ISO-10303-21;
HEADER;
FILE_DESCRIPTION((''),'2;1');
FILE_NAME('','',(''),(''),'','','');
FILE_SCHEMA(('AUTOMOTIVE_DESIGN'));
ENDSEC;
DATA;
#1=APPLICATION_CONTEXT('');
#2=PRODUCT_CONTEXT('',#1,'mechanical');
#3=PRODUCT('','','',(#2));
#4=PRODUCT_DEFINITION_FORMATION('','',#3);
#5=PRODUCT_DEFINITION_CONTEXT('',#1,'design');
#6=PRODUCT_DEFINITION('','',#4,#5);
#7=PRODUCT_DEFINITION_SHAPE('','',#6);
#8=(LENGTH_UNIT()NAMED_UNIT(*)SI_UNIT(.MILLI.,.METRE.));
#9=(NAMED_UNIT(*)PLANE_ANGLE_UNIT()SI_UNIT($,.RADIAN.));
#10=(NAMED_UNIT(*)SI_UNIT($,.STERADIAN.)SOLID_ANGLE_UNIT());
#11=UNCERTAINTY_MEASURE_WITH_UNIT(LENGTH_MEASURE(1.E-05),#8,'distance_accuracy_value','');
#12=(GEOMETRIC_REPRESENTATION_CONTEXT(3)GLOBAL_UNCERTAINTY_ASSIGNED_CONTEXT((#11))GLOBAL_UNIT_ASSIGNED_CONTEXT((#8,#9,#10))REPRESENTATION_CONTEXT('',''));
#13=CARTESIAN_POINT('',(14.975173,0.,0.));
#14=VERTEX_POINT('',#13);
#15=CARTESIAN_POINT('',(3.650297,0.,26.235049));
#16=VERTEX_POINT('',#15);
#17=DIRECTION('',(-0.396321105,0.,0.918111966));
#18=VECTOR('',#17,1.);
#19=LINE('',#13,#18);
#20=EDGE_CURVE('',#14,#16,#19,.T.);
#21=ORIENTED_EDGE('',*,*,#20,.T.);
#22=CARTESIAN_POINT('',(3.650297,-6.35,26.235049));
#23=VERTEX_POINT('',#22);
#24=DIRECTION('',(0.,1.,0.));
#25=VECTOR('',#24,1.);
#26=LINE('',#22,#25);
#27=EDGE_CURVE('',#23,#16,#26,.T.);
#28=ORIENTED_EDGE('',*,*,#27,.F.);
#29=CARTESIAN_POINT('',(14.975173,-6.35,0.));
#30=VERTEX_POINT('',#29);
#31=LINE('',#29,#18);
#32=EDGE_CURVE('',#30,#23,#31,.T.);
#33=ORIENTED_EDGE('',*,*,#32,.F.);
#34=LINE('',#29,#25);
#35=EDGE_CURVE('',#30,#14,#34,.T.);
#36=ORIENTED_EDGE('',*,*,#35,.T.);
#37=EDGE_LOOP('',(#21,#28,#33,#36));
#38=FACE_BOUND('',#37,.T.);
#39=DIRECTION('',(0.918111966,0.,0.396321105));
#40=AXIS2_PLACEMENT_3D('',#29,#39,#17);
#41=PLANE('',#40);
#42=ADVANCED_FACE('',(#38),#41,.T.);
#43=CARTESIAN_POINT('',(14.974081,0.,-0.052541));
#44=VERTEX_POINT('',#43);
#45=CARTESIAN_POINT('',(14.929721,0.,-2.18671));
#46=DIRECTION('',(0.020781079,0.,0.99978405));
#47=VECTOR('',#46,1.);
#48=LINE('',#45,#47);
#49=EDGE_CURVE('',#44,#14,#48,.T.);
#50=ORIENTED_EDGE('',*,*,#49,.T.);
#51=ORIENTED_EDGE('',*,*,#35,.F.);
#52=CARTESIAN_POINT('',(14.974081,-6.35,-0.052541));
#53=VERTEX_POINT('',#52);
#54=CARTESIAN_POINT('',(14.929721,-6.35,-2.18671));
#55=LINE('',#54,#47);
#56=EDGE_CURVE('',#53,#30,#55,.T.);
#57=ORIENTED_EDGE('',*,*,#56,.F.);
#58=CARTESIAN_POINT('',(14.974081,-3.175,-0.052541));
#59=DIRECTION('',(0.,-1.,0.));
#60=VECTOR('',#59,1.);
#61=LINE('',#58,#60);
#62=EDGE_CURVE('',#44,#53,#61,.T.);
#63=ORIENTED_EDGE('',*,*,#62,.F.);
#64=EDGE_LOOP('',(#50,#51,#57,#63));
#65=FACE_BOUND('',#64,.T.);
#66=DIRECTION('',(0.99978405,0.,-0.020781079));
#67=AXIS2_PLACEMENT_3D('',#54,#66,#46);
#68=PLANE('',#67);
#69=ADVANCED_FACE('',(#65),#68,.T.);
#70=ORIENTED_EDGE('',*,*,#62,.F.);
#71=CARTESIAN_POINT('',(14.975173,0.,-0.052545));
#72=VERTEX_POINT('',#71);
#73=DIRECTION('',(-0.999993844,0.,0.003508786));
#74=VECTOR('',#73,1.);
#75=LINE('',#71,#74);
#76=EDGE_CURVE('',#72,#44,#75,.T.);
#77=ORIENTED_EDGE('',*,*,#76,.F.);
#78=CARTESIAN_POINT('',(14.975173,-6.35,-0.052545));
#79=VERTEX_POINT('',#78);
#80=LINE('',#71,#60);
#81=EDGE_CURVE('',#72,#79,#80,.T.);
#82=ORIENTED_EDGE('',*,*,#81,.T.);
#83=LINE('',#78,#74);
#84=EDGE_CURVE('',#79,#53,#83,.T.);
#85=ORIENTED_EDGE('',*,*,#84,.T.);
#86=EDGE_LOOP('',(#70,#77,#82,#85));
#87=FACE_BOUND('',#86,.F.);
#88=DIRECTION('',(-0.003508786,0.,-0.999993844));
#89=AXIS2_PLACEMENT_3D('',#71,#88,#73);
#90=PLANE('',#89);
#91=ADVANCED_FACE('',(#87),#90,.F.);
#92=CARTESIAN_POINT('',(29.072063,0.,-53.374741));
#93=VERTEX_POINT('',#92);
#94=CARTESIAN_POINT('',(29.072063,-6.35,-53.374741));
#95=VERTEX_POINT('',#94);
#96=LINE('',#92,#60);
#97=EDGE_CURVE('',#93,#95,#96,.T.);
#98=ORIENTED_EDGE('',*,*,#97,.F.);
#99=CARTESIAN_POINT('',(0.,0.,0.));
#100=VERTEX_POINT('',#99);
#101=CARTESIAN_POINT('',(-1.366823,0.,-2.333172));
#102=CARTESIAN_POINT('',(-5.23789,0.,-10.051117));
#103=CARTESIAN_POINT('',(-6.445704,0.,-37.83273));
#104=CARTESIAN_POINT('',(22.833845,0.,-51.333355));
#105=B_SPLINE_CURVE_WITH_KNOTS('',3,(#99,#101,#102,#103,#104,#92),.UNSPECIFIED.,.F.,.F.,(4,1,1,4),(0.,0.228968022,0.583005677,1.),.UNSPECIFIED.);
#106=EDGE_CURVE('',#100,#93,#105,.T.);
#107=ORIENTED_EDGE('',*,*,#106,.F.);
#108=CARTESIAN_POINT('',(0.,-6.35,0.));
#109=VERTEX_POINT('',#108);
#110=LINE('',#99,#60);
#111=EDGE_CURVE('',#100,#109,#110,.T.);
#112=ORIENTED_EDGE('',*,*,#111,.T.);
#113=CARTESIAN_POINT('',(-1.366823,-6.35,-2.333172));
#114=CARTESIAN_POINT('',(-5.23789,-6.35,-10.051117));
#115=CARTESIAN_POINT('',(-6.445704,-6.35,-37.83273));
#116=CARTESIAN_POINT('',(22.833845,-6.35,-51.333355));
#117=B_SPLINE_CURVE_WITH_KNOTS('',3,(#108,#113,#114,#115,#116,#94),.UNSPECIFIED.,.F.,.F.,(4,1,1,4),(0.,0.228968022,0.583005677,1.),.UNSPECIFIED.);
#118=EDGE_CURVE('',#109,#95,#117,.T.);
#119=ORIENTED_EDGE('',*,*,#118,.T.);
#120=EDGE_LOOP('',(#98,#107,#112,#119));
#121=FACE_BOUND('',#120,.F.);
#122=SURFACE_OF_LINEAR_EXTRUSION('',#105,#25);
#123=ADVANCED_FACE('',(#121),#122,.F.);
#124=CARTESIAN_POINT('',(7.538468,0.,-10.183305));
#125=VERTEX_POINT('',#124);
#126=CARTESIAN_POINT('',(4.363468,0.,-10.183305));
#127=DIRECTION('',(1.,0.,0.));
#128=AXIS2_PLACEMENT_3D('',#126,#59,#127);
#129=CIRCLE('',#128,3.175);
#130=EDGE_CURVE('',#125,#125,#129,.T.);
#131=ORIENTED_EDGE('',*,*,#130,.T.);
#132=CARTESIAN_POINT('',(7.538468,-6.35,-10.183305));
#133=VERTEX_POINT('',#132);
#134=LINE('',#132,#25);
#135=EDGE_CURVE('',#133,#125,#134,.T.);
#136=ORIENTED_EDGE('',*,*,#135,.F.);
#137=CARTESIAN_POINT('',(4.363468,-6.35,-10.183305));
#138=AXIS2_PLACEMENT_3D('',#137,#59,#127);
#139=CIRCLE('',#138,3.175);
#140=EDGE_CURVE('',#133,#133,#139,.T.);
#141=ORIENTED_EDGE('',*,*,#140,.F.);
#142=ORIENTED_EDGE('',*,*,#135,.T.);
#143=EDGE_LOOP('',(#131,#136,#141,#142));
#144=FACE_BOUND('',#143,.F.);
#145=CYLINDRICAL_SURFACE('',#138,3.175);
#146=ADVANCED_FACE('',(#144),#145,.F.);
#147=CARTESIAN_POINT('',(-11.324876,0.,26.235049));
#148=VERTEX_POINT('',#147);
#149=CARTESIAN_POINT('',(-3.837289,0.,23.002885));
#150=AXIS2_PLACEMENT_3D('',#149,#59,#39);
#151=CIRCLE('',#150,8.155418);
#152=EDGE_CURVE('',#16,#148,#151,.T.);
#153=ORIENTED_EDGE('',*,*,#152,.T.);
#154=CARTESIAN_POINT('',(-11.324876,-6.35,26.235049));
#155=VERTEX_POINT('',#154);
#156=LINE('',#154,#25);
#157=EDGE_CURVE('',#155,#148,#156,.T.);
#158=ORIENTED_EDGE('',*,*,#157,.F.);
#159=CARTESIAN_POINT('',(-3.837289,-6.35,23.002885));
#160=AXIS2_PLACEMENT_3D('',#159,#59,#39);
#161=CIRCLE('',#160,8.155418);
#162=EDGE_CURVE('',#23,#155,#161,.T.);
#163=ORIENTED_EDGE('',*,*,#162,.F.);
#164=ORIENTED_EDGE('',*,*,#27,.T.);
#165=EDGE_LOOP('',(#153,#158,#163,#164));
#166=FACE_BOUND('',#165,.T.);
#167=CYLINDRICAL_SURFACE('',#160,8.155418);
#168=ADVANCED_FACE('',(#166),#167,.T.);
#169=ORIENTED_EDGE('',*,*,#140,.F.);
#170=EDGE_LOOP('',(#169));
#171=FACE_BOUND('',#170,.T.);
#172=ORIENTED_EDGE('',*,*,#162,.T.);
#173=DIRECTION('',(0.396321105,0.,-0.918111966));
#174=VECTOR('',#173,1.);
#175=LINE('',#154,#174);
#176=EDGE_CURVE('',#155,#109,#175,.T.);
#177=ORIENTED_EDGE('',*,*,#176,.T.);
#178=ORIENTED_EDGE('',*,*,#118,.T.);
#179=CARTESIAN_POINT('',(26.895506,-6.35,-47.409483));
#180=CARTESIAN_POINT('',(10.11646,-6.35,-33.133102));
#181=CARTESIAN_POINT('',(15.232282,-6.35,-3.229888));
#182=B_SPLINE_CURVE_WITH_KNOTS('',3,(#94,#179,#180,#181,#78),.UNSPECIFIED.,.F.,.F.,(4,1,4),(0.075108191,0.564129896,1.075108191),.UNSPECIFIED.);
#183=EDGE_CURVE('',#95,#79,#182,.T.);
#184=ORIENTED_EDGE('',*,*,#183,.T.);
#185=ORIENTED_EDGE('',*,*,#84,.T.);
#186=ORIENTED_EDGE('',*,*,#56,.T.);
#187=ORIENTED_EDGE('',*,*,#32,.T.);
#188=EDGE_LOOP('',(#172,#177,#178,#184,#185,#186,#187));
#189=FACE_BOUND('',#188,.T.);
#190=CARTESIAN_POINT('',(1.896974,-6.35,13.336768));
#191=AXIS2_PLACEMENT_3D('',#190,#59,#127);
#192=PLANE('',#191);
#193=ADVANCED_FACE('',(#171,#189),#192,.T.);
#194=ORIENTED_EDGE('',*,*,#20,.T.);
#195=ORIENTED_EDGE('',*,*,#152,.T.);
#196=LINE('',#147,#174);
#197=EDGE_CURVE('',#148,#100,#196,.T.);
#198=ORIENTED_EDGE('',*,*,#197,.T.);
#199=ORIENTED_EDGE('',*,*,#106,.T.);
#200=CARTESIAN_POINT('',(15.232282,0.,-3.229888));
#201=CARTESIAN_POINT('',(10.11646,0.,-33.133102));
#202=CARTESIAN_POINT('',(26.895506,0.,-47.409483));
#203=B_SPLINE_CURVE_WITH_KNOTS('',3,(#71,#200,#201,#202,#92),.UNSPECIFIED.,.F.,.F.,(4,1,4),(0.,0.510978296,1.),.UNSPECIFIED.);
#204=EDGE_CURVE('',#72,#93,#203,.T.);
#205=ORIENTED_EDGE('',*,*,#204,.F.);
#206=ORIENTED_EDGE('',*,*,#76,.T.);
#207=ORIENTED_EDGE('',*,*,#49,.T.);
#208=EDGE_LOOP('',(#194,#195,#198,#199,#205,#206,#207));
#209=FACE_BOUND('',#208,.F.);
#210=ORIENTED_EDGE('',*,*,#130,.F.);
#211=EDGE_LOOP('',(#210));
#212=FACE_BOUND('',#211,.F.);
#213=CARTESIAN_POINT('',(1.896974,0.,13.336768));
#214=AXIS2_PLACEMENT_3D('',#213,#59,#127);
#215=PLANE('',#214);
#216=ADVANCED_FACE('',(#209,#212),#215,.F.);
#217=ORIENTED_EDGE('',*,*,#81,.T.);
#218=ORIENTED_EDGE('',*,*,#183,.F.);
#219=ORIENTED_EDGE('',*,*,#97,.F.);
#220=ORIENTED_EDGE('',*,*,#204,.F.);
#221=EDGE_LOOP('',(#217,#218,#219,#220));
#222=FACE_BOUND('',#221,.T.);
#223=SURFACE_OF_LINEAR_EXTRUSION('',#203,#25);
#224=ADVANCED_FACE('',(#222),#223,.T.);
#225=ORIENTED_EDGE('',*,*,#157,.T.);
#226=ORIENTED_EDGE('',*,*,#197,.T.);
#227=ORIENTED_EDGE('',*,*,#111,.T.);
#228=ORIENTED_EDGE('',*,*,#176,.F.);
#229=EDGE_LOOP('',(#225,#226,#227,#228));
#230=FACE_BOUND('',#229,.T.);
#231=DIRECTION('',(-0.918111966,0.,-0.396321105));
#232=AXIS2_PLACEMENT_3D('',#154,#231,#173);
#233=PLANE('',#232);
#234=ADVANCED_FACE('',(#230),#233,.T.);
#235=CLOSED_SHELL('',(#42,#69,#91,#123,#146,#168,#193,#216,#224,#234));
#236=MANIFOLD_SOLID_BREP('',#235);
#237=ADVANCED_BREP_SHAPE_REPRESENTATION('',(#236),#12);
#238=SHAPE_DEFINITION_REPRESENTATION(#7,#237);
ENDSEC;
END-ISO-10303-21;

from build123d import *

# Parameters (mm, degrees)
F1_DEPTH = 6.35
F3_DEPTH = 6.35
F4_R     = 3.175
F5_DEPTH = 25.4


with BuildPart() as f1:
    # F0 (on Front) → F1 (new body)
    with BuildSketch(Plane.XZ):
        with BuildLine():
            Line((14.9751729332, -0.0525450014), (0, 0))
            add(Edge.make_bspline(
                [(0, 0), (-1.3668231297, -2.3331721875), (-5.2378895093, -10.0511172277), (-6.4457044175, -37.83273039), (22.8338454247, -51.3333554001), (29.0720630437, -53.3747412264)],
                knots=[0, 0, 0, 0, 0.2289680224, 0.5830056766, 1, 1, 1, 1], degree=3))
            add(Edge.make_bspline(
                [(14.9751729332, -0.0525450014), (15.2322824358, -3.22988805), (10.116460043, -33.133102304), (26.89550583, -47.4094833328), (29.0720630437, -53.3747412264)],
                knots=[0, 0, 0, 0, 0.5109782958, 1, 1, 1, 1], degree=3))
        make_face()
    extrude(amount=F1_DEPTH)

    # F2 (on face) → F3 (join)
    with BuildSketch(Plane.XZ.offset(6.35)):
        with BuildLine():
            Line((-11.3248755646, 26.2350494272), (0, 0))
            Line((0, 0), (1.3590909073, -2.1867099784))
            Line((1.3590909073, -2.1867099784), (14.9297209254, -2.1867099784))
            Line((14.9297209254, -2.1867099784), (14.9751729332, 0))
            Line((14.9751729332, 0), (3.6502973686, 26.2350494272))
            ThreePointArc((3.6502973686, 26.2350494272), (-3.837289098, 31.1583029026), (-11.3248755646, 26.2350494272))
        make_face()
    extrude(amount=-F3_DEPTH)

    # F4 (on face) → F5 (cut)
    with BuildSketch(Plane.XZ.offset(6.35)):
        with Locations((4.3634679168, -10.1833054796)):
            Circle(F4_R)
    extrude(amount=-F5_DEPTH, mode=Mode.SUBTRACT)


solid = f1.part
